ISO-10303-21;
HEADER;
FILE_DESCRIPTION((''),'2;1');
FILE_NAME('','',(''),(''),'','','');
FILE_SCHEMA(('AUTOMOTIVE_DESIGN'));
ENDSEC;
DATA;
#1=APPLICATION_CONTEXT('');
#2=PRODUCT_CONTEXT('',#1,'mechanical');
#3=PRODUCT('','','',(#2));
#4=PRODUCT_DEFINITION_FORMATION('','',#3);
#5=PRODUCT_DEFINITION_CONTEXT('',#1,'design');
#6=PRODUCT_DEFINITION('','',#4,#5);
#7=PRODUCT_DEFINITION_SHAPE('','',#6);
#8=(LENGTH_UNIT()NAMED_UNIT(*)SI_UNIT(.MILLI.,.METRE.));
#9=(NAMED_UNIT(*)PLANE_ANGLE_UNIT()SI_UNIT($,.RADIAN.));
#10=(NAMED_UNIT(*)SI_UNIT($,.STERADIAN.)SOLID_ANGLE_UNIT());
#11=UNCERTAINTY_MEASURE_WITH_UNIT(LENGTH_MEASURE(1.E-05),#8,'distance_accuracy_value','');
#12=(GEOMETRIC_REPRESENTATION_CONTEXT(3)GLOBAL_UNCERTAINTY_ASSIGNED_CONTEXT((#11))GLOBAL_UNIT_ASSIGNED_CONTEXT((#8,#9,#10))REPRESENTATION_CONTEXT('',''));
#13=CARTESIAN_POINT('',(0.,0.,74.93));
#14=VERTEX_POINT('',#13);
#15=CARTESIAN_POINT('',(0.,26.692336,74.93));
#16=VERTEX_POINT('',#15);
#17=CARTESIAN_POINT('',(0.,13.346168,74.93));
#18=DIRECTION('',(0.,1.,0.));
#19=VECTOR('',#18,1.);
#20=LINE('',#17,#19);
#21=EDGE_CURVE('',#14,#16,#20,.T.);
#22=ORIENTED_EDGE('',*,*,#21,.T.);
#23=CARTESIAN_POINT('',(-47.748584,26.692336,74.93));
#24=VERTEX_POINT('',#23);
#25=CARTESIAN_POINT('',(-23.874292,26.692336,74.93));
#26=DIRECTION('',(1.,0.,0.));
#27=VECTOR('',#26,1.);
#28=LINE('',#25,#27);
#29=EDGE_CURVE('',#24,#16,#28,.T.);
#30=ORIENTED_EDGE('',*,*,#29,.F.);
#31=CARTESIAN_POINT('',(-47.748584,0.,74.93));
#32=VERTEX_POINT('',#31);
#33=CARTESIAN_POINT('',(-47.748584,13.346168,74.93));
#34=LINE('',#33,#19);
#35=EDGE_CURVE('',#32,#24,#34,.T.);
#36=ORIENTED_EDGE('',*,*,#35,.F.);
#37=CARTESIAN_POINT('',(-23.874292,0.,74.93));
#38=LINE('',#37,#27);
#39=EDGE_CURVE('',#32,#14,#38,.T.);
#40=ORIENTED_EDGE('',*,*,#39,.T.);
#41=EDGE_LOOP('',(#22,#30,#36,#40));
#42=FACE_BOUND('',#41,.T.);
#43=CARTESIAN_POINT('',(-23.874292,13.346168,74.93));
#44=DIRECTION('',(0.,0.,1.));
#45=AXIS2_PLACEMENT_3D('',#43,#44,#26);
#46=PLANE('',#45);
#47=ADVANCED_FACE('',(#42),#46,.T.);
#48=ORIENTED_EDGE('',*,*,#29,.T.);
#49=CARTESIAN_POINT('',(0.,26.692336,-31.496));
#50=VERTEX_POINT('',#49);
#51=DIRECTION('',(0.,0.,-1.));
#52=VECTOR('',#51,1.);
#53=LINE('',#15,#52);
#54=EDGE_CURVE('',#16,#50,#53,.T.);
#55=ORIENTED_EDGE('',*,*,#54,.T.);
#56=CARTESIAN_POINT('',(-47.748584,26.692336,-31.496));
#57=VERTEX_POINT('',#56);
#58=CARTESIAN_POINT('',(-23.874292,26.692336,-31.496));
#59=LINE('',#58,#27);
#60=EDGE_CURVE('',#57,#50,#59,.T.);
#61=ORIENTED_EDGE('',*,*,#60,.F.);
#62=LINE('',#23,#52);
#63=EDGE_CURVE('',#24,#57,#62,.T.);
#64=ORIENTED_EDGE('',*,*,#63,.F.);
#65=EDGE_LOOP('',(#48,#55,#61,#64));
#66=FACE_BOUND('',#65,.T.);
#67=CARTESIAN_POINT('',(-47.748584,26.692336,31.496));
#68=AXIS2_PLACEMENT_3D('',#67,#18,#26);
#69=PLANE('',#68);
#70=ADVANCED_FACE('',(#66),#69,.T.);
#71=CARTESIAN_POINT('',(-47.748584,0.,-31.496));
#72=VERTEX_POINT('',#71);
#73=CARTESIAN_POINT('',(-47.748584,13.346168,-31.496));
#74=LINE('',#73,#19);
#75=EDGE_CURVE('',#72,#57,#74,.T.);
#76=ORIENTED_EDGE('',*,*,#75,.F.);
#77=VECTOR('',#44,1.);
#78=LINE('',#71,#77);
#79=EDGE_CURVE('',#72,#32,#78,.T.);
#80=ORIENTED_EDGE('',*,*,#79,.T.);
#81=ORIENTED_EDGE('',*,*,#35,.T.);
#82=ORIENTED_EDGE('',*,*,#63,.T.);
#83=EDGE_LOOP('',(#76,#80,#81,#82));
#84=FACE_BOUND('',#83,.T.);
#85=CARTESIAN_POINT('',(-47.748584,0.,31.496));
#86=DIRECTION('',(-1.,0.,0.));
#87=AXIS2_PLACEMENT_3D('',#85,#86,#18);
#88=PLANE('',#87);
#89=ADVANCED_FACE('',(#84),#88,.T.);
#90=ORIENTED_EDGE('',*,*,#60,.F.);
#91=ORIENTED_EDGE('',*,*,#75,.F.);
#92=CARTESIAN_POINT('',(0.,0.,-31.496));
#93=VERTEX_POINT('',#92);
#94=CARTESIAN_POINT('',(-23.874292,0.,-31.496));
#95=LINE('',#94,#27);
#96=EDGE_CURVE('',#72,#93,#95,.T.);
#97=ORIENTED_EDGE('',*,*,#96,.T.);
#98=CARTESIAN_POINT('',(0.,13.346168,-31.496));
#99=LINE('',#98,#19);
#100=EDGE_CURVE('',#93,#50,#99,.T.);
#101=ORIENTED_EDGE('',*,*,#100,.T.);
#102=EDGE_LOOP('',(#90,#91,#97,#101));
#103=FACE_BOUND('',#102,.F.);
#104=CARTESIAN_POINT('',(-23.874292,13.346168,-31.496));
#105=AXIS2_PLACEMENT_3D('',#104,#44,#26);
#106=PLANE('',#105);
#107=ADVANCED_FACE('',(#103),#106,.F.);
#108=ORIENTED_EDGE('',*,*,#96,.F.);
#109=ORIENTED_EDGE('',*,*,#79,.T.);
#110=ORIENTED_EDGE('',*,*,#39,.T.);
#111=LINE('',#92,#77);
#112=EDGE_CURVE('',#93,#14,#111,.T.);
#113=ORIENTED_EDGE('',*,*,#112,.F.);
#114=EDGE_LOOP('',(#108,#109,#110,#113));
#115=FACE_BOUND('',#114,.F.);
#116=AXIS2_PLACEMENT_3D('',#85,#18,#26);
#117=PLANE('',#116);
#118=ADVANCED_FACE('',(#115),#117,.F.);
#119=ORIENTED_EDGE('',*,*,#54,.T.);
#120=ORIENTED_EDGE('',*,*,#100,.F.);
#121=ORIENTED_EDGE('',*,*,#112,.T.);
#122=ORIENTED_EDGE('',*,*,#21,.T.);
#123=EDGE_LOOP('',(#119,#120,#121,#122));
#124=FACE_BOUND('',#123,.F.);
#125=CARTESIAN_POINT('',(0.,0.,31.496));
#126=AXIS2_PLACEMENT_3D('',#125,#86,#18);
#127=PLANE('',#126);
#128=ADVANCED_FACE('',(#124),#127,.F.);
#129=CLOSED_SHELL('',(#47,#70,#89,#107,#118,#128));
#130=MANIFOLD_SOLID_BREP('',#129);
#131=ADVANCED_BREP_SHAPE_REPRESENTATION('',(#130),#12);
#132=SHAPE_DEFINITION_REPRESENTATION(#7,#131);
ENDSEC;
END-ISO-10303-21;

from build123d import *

# Parameters (mm, degrees)
F0_W     = 47.7485843003
F0_H     = 26.6923364252
F1_DEPTH = 31.496
F2_DEPTH = 43.434


with BuildPart() as f1:
    # F0 (on Top) → F1 (new body, symmetric)
    with BuildSketch(Plane.XY):
        with Locations((-23.8742921501, 13.3461682126)):
            Rectangle(F0_W, F0_H)
    extrude(amount=F1_DEPTH, both=True)

    # F2 (add): a face of the model
    f2_faces = [f1.faces().sort_by_distance(p)[0] for p in [
        (-23.8742921501, 13.3461682126, 31.496),
    ]]
    extrude(f2_faces, amount=F2_DEPTH)


solid = f1.part
